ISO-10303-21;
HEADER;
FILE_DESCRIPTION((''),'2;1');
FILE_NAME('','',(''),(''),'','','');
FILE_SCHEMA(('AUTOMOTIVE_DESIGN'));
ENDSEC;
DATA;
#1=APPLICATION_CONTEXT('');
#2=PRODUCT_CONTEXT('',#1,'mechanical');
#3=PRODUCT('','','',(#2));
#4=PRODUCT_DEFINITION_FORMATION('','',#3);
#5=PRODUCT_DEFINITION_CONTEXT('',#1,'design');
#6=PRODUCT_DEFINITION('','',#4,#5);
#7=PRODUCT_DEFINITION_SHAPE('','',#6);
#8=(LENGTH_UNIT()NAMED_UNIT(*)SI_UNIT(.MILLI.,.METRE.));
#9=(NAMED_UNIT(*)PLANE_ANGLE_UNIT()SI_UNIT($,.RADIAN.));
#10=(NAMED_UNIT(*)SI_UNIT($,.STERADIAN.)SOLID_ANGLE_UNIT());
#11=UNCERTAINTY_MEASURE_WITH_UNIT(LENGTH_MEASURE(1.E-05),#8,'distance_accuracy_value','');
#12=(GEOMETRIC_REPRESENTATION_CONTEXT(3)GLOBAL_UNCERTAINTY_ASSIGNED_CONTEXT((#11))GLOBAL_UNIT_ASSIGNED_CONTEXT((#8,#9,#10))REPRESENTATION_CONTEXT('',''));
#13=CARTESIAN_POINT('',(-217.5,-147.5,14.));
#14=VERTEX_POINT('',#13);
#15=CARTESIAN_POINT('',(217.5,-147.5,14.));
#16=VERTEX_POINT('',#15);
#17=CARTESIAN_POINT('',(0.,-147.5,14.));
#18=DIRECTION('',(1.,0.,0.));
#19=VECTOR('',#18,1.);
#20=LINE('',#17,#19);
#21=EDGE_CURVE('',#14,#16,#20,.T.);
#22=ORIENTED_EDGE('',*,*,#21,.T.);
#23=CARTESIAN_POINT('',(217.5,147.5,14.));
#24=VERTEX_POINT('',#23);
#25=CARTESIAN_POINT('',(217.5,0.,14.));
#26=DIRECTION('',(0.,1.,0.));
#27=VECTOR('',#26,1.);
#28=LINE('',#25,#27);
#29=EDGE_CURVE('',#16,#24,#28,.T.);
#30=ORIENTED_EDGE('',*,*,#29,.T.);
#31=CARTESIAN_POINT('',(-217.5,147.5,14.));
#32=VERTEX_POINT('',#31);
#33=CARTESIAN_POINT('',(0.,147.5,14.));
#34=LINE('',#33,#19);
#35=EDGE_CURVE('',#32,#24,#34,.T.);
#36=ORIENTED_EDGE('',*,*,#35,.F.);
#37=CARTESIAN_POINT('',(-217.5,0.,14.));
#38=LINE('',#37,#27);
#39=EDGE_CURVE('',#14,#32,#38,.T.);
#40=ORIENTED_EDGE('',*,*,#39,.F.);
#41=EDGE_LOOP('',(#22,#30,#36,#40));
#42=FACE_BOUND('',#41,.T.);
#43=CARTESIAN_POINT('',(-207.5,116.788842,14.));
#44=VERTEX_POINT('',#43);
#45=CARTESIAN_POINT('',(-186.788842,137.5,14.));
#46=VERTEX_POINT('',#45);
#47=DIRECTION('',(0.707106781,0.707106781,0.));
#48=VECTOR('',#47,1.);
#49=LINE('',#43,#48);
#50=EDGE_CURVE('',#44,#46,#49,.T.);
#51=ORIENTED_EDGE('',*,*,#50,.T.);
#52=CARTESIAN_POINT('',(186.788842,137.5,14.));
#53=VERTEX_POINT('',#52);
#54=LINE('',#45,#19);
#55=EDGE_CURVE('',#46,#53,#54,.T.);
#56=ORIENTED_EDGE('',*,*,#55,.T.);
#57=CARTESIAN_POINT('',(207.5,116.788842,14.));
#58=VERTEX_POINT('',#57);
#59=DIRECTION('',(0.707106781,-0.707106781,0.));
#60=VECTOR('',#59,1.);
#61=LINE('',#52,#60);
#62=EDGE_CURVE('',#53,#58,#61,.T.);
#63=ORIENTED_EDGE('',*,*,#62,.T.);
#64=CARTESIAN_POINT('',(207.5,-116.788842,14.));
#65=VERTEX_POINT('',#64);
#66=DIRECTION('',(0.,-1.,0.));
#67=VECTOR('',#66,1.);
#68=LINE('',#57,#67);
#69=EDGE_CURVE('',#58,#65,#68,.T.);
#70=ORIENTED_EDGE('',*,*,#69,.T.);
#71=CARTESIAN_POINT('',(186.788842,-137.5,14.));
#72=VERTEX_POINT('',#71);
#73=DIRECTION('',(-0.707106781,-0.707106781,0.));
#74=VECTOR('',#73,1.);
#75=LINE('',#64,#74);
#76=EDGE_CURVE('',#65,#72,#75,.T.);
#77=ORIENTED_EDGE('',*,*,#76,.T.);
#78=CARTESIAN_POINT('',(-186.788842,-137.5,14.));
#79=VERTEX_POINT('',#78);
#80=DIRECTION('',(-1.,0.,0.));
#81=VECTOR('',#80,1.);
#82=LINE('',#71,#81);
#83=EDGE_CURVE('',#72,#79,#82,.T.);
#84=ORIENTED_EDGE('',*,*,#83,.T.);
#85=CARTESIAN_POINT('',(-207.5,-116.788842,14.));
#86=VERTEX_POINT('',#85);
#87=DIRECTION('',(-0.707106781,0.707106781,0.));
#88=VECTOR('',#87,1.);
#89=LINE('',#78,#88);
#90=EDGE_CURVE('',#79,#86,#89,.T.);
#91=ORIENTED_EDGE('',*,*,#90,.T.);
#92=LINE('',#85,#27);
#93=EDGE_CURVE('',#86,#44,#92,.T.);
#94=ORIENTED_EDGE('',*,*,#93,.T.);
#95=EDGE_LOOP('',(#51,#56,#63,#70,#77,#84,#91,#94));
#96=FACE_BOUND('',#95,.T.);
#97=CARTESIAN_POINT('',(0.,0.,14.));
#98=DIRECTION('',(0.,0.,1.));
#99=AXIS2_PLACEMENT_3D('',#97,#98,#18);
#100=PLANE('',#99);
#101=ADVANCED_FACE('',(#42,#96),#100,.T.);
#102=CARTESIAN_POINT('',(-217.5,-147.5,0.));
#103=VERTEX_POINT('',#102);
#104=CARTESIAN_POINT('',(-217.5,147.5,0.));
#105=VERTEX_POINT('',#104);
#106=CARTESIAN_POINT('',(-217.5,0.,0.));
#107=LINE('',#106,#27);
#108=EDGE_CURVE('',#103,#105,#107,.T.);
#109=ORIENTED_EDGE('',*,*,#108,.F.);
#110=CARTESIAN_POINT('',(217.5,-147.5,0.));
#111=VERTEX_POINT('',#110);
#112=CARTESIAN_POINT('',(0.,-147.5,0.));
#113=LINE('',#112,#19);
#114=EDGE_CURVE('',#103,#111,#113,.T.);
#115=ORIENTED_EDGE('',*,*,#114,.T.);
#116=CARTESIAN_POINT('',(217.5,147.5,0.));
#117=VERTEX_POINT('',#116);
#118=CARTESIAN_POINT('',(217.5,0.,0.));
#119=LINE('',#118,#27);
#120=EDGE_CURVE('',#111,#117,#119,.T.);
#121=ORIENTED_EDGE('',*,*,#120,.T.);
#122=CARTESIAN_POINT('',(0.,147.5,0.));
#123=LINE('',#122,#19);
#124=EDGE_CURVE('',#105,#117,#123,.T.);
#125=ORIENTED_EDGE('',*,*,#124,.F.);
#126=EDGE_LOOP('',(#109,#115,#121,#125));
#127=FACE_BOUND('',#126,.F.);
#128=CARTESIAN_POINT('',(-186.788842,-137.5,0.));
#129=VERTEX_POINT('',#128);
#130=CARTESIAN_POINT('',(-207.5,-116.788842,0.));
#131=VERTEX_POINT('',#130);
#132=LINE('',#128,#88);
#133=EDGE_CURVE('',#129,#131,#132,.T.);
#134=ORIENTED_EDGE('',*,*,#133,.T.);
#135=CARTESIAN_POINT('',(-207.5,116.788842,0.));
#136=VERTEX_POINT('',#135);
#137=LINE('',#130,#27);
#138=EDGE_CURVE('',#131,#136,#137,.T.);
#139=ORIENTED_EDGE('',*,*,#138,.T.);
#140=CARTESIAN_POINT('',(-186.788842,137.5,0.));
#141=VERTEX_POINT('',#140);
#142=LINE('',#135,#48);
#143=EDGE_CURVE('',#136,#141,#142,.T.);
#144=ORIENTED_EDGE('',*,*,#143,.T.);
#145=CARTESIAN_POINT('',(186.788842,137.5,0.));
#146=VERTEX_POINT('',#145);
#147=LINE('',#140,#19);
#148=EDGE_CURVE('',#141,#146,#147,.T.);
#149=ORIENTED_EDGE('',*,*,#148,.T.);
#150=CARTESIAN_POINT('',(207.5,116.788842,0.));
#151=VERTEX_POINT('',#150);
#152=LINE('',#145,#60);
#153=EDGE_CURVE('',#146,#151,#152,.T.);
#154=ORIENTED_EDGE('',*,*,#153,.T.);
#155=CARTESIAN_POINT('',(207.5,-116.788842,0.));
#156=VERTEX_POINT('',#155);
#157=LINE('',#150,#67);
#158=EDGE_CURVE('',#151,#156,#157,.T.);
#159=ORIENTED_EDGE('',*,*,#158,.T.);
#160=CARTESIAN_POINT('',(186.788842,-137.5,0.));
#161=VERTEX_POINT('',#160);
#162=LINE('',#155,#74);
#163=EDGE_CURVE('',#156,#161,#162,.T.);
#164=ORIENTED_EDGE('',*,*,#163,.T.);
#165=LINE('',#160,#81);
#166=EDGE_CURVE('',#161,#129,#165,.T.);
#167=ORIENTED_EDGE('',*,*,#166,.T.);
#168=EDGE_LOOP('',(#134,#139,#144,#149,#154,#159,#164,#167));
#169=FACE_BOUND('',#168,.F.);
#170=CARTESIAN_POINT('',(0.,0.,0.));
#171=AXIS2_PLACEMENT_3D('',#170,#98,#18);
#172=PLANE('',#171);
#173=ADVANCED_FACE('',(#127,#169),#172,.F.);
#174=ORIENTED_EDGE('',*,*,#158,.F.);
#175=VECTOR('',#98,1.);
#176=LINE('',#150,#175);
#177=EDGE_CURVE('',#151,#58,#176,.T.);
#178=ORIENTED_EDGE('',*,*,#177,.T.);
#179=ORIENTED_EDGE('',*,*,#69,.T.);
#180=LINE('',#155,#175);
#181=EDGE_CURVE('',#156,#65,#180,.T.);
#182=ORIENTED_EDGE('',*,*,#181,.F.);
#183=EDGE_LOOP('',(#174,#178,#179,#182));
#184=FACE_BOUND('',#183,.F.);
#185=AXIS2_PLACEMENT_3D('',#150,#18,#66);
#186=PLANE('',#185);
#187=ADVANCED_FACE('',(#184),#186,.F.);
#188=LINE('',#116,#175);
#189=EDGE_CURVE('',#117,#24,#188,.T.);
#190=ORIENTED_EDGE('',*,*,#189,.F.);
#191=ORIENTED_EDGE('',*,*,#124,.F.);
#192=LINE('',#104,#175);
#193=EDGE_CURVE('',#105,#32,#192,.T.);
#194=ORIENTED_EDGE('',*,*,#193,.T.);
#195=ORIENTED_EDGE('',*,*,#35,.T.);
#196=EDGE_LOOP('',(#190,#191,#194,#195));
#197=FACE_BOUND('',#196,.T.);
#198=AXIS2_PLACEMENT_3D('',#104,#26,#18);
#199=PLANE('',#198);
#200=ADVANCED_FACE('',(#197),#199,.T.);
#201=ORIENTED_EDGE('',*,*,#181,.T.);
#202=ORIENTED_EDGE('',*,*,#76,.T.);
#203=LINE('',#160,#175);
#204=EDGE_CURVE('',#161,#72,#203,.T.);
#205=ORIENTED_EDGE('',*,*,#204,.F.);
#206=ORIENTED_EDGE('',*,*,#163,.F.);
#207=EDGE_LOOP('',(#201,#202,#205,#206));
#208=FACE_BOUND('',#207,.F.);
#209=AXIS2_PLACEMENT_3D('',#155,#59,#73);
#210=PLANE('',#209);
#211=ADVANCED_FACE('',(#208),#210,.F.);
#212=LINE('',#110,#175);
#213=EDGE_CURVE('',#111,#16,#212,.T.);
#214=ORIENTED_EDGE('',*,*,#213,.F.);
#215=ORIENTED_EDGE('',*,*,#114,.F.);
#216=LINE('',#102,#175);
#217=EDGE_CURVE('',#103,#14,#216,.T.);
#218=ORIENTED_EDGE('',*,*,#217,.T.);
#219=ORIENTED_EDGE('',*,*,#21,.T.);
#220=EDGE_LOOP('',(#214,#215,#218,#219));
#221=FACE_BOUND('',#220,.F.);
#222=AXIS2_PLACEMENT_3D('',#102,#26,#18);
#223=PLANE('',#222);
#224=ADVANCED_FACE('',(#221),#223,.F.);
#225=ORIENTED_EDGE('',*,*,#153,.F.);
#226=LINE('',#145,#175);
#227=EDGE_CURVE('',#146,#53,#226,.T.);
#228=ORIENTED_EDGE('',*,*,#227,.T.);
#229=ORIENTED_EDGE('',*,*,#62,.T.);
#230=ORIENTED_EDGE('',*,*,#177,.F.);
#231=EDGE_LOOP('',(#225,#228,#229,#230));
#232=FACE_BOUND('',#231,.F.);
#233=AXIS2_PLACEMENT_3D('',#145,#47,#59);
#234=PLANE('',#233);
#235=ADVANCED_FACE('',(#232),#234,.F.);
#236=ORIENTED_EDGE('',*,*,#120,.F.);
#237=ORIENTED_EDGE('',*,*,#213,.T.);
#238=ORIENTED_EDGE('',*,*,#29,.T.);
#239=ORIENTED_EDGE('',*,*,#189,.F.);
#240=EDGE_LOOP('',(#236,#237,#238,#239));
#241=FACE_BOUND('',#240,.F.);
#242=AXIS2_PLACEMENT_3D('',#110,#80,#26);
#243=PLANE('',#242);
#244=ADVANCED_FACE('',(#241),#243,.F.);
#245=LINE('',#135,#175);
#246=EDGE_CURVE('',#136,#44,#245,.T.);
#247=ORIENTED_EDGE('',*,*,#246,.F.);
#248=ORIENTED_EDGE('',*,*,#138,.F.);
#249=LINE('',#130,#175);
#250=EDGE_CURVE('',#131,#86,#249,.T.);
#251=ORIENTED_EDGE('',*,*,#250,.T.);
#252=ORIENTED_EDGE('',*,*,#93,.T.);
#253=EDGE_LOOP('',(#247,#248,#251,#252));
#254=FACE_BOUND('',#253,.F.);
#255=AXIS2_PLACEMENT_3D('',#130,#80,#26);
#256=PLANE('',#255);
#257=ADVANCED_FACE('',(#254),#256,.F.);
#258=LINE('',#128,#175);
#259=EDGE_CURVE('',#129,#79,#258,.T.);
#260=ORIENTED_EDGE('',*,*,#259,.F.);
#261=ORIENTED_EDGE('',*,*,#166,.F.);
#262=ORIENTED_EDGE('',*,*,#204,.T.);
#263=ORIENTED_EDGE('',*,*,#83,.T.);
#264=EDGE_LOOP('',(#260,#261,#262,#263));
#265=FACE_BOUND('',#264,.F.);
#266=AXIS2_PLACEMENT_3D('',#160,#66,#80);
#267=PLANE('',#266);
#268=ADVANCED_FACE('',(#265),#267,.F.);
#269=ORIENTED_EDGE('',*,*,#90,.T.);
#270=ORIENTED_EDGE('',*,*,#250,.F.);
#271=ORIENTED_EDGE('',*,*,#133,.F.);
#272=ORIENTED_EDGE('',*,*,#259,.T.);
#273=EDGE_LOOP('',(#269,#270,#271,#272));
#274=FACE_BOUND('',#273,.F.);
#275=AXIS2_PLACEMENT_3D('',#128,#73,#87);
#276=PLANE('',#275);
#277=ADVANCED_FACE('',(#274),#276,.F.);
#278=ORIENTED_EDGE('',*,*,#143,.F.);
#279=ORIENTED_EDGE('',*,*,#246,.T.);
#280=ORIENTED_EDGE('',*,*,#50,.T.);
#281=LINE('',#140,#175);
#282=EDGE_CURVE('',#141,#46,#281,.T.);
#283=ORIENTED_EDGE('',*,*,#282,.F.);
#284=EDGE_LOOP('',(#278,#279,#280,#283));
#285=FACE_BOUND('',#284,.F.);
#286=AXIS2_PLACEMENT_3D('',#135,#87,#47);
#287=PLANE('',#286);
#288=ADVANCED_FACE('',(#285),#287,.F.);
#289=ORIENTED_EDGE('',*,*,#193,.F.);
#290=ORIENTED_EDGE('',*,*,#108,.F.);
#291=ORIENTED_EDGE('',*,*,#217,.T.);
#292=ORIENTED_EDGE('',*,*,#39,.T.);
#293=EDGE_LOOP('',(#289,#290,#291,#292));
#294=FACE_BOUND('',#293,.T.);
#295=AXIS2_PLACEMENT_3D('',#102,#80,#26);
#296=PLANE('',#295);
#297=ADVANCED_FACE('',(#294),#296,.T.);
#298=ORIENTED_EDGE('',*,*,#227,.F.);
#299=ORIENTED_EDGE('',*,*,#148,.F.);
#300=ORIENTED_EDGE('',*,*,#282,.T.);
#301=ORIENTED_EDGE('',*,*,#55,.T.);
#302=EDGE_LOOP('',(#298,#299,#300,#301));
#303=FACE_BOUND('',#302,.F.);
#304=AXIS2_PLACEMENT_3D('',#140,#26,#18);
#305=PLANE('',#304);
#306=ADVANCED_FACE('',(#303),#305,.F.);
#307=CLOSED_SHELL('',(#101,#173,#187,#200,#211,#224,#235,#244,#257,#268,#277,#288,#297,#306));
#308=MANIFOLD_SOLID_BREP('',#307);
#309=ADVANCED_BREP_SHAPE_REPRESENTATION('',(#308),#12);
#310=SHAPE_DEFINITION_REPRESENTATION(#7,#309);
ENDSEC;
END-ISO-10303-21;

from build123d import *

# Parameters (mm, degrees)
SKETCH_W  = 435
SKETCH_H  = 295
PAD_DEPTH = 14


with BuildPart() as part:
    # Sketch → Pad (new body)
    with BuildSketch(Plane.XY):
        Rectangle(SKETCH_W, SKETCH_H)
        Polygon((186.788842, -137.5), (-186.788842, -137.5), (-207.5, -116.788842), (-207.5, 116.788842), (-186.788842, 137.5), (186.788842, 137.5), (207.5, 116.788842), (207.5, -116.788842), align=None, mode=Mode.SUBTRACT)
    extrude(amount=PAD_DEPTH)


solid = part.part
